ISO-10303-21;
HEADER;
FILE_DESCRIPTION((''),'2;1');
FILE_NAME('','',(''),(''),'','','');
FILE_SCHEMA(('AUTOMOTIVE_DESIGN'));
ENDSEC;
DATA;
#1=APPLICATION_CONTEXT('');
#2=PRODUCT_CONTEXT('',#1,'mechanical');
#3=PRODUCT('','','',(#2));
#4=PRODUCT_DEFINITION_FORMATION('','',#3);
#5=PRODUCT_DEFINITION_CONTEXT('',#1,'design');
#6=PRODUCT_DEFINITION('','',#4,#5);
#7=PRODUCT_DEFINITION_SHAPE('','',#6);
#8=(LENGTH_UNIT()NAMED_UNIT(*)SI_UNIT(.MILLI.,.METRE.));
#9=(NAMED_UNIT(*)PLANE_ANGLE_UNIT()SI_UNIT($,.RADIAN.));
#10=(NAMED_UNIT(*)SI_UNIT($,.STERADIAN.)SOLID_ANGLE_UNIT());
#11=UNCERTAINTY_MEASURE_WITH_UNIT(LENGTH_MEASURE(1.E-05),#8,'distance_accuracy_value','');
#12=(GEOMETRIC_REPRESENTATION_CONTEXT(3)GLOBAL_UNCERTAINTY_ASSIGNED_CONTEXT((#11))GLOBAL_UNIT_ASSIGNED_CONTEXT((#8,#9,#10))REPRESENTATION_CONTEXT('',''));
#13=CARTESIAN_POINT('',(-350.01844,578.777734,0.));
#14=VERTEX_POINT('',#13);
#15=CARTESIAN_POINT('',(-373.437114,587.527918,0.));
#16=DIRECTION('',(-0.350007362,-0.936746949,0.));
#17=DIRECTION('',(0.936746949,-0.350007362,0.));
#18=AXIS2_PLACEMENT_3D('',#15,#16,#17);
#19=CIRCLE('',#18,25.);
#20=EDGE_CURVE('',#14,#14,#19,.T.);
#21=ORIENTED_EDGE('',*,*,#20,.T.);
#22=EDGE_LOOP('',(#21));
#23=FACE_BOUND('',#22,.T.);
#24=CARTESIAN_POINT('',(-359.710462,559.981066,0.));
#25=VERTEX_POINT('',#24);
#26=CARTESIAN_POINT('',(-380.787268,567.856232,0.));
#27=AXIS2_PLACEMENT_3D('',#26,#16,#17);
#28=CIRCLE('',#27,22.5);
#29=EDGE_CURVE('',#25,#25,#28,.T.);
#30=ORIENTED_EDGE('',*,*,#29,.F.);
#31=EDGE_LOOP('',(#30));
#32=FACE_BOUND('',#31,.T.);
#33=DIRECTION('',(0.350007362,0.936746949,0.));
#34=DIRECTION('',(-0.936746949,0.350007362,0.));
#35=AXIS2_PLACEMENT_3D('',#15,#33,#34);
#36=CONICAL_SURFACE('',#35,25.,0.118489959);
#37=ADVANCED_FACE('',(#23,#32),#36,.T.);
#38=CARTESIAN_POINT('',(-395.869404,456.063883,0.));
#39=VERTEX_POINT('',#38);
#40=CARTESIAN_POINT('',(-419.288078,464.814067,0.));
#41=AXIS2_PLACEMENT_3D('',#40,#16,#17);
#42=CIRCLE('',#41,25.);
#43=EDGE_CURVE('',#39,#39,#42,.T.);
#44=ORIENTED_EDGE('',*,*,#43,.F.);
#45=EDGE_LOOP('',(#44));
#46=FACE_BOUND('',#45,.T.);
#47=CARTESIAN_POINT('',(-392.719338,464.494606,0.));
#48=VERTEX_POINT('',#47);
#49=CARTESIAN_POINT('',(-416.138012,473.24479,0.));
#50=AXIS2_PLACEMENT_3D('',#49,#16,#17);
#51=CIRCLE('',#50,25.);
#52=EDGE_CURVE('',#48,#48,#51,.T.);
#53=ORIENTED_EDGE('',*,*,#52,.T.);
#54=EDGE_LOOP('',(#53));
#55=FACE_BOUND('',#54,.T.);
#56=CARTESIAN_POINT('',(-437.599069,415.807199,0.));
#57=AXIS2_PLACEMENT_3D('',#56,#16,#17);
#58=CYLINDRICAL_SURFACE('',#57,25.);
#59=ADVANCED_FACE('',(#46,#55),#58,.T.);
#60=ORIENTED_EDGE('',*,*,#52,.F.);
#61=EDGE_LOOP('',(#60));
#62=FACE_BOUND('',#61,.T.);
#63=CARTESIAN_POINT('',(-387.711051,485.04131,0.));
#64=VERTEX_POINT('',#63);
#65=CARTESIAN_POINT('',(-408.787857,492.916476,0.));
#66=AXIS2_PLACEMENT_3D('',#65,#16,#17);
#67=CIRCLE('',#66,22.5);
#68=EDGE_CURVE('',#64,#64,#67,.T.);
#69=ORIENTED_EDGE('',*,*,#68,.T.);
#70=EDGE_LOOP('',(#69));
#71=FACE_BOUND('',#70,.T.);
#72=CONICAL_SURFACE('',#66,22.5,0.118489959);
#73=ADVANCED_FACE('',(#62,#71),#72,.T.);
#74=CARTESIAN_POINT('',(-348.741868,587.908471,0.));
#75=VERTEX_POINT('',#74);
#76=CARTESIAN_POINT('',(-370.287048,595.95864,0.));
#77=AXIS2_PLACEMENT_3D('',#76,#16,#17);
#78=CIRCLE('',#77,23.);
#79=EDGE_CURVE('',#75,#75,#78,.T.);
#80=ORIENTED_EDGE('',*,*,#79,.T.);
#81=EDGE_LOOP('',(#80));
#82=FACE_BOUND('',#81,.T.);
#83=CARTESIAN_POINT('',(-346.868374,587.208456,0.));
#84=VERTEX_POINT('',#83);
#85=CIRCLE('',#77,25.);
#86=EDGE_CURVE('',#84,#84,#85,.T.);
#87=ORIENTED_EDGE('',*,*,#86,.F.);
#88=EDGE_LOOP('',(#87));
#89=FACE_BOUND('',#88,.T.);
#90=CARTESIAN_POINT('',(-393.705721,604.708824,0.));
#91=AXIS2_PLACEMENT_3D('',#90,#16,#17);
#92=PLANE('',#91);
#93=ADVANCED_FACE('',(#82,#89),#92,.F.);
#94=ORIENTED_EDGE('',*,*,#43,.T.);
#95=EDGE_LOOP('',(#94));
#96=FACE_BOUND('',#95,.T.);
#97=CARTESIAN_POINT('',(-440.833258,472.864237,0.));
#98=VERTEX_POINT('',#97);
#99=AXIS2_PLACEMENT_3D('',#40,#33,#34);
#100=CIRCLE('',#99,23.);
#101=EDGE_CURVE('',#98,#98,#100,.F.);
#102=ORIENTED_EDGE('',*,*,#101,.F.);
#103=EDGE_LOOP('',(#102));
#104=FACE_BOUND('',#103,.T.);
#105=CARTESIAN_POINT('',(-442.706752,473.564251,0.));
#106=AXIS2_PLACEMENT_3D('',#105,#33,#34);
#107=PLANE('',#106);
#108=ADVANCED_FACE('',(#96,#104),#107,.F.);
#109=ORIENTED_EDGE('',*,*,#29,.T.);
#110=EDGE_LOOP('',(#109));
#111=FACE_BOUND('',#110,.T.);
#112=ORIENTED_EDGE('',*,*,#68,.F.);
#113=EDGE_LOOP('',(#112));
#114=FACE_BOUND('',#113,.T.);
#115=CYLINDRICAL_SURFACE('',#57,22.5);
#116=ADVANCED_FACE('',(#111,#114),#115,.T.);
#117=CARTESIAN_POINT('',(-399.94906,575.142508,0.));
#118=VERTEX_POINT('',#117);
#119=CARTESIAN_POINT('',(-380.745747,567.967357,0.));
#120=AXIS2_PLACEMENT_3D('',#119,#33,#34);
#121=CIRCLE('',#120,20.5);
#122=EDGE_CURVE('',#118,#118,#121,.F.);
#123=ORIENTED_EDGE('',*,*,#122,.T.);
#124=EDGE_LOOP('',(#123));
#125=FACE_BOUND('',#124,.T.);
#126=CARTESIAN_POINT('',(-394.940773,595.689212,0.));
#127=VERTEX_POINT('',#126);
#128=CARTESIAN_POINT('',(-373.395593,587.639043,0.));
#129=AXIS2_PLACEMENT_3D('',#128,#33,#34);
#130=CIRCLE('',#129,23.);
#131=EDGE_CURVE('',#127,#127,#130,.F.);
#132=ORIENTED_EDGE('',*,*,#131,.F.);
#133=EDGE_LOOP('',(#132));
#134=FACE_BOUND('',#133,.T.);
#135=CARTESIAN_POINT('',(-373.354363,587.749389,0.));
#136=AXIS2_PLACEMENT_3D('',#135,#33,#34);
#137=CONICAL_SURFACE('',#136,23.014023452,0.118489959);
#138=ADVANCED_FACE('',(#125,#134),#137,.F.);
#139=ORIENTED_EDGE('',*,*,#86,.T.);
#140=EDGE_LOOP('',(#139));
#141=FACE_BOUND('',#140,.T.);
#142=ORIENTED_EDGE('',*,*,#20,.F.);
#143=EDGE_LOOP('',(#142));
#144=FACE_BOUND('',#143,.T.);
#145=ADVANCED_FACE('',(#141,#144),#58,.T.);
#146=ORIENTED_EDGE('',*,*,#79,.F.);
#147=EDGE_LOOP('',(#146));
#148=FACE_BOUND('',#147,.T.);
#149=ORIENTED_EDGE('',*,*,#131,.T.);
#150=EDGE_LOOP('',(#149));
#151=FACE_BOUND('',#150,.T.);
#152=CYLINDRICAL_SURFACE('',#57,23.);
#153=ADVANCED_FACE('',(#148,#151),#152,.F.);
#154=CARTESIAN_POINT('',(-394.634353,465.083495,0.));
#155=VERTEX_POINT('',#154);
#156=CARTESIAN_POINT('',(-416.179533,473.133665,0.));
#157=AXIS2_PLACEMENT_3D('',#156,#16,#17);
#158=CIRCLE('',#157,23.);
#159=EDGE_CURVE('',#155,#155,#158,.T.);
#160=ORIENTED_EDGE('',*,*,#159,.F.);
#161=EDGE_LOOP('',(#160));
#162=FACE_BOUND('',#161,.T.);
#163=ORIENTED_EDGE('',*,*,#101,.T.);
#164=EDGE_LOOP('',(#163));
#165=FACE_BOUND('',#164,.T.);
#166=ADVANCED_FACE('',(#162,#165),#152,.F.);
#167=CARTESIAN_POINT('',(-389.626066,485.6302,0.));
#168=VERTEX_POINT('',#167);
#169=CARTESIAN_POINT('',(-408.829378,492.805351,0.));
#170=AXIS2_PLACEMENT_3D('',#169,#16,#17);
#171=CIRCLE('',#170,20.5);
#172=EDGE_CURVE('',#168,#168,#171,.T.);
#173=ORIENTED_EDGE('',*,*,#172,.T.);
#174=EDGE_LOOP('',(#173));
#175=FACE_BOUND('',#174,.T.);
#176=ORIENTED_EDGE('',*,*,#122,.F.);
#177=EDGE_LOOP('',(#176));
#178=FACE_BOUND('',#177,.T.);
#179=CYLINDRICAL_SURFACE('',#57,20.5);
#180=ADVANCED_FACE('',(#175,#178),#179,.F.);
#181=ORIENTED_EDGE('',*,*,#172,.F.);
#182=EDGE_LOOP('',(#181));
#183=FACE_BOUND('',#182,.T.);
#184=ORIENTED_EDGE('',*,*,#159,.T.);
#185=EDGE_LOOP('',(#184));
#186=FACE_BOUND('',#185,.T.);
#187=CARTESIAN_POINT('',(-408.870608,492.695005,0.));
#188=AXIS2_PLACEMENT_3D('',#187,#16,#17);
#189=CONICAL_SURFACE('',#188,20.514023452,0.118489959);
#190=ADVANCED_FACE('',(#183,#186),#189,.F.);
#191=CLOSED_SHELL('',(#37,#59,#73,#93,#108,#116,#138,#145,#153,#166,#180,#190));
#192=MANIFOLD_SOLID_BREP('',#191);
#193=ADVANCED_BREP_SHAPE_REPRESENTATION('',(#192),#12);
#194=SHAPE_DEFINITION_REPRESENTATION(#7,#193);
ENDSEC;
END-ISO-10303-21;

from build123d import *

# Parameters (mm, degrees)
COQUE1_T = -2


with BuildPart() as part:
    # Esquisse2 → Révolution1 (revolve)
    with BuildSketch(Plane.XY, mode=Mode.PRIVATE) as r_volution1_sk:
        Polygon((-393.705721225, 604.708824353), (-370.2870475, 595.9586403), (-419.288078193, 464.814067439), (-442.706751918, 473.564251491), (-439.55668566, 481.994974032), (-429.864663683, 500.791641556), (-401.864074716, 575.731397477), (-396.855787484, 596.278101812), align=None)
    revolve(r_volution1_sk.sketch.rotate(Axis((-437.599068934, 415.807199106, 0), (0.350007362, 0.936746949, 0)), 180), axis=Axis((-437.599068934, 415.807199106, 0), (0.350007362, 0.936746949, 0)))  # turned: the seam where the file's is

    # Coque1
    coque1_openings = [part.faces().sort_by_distance(p)[0] for p in [
        (-370.2870475, 595.9586403, 0),
        (-419.288078193, 464.814067439, 0),
    ]]
    offset(amount=COQUE1_T, openings=coque1_openings, kind=Kind.INTERSECTION)


solid = part.part
